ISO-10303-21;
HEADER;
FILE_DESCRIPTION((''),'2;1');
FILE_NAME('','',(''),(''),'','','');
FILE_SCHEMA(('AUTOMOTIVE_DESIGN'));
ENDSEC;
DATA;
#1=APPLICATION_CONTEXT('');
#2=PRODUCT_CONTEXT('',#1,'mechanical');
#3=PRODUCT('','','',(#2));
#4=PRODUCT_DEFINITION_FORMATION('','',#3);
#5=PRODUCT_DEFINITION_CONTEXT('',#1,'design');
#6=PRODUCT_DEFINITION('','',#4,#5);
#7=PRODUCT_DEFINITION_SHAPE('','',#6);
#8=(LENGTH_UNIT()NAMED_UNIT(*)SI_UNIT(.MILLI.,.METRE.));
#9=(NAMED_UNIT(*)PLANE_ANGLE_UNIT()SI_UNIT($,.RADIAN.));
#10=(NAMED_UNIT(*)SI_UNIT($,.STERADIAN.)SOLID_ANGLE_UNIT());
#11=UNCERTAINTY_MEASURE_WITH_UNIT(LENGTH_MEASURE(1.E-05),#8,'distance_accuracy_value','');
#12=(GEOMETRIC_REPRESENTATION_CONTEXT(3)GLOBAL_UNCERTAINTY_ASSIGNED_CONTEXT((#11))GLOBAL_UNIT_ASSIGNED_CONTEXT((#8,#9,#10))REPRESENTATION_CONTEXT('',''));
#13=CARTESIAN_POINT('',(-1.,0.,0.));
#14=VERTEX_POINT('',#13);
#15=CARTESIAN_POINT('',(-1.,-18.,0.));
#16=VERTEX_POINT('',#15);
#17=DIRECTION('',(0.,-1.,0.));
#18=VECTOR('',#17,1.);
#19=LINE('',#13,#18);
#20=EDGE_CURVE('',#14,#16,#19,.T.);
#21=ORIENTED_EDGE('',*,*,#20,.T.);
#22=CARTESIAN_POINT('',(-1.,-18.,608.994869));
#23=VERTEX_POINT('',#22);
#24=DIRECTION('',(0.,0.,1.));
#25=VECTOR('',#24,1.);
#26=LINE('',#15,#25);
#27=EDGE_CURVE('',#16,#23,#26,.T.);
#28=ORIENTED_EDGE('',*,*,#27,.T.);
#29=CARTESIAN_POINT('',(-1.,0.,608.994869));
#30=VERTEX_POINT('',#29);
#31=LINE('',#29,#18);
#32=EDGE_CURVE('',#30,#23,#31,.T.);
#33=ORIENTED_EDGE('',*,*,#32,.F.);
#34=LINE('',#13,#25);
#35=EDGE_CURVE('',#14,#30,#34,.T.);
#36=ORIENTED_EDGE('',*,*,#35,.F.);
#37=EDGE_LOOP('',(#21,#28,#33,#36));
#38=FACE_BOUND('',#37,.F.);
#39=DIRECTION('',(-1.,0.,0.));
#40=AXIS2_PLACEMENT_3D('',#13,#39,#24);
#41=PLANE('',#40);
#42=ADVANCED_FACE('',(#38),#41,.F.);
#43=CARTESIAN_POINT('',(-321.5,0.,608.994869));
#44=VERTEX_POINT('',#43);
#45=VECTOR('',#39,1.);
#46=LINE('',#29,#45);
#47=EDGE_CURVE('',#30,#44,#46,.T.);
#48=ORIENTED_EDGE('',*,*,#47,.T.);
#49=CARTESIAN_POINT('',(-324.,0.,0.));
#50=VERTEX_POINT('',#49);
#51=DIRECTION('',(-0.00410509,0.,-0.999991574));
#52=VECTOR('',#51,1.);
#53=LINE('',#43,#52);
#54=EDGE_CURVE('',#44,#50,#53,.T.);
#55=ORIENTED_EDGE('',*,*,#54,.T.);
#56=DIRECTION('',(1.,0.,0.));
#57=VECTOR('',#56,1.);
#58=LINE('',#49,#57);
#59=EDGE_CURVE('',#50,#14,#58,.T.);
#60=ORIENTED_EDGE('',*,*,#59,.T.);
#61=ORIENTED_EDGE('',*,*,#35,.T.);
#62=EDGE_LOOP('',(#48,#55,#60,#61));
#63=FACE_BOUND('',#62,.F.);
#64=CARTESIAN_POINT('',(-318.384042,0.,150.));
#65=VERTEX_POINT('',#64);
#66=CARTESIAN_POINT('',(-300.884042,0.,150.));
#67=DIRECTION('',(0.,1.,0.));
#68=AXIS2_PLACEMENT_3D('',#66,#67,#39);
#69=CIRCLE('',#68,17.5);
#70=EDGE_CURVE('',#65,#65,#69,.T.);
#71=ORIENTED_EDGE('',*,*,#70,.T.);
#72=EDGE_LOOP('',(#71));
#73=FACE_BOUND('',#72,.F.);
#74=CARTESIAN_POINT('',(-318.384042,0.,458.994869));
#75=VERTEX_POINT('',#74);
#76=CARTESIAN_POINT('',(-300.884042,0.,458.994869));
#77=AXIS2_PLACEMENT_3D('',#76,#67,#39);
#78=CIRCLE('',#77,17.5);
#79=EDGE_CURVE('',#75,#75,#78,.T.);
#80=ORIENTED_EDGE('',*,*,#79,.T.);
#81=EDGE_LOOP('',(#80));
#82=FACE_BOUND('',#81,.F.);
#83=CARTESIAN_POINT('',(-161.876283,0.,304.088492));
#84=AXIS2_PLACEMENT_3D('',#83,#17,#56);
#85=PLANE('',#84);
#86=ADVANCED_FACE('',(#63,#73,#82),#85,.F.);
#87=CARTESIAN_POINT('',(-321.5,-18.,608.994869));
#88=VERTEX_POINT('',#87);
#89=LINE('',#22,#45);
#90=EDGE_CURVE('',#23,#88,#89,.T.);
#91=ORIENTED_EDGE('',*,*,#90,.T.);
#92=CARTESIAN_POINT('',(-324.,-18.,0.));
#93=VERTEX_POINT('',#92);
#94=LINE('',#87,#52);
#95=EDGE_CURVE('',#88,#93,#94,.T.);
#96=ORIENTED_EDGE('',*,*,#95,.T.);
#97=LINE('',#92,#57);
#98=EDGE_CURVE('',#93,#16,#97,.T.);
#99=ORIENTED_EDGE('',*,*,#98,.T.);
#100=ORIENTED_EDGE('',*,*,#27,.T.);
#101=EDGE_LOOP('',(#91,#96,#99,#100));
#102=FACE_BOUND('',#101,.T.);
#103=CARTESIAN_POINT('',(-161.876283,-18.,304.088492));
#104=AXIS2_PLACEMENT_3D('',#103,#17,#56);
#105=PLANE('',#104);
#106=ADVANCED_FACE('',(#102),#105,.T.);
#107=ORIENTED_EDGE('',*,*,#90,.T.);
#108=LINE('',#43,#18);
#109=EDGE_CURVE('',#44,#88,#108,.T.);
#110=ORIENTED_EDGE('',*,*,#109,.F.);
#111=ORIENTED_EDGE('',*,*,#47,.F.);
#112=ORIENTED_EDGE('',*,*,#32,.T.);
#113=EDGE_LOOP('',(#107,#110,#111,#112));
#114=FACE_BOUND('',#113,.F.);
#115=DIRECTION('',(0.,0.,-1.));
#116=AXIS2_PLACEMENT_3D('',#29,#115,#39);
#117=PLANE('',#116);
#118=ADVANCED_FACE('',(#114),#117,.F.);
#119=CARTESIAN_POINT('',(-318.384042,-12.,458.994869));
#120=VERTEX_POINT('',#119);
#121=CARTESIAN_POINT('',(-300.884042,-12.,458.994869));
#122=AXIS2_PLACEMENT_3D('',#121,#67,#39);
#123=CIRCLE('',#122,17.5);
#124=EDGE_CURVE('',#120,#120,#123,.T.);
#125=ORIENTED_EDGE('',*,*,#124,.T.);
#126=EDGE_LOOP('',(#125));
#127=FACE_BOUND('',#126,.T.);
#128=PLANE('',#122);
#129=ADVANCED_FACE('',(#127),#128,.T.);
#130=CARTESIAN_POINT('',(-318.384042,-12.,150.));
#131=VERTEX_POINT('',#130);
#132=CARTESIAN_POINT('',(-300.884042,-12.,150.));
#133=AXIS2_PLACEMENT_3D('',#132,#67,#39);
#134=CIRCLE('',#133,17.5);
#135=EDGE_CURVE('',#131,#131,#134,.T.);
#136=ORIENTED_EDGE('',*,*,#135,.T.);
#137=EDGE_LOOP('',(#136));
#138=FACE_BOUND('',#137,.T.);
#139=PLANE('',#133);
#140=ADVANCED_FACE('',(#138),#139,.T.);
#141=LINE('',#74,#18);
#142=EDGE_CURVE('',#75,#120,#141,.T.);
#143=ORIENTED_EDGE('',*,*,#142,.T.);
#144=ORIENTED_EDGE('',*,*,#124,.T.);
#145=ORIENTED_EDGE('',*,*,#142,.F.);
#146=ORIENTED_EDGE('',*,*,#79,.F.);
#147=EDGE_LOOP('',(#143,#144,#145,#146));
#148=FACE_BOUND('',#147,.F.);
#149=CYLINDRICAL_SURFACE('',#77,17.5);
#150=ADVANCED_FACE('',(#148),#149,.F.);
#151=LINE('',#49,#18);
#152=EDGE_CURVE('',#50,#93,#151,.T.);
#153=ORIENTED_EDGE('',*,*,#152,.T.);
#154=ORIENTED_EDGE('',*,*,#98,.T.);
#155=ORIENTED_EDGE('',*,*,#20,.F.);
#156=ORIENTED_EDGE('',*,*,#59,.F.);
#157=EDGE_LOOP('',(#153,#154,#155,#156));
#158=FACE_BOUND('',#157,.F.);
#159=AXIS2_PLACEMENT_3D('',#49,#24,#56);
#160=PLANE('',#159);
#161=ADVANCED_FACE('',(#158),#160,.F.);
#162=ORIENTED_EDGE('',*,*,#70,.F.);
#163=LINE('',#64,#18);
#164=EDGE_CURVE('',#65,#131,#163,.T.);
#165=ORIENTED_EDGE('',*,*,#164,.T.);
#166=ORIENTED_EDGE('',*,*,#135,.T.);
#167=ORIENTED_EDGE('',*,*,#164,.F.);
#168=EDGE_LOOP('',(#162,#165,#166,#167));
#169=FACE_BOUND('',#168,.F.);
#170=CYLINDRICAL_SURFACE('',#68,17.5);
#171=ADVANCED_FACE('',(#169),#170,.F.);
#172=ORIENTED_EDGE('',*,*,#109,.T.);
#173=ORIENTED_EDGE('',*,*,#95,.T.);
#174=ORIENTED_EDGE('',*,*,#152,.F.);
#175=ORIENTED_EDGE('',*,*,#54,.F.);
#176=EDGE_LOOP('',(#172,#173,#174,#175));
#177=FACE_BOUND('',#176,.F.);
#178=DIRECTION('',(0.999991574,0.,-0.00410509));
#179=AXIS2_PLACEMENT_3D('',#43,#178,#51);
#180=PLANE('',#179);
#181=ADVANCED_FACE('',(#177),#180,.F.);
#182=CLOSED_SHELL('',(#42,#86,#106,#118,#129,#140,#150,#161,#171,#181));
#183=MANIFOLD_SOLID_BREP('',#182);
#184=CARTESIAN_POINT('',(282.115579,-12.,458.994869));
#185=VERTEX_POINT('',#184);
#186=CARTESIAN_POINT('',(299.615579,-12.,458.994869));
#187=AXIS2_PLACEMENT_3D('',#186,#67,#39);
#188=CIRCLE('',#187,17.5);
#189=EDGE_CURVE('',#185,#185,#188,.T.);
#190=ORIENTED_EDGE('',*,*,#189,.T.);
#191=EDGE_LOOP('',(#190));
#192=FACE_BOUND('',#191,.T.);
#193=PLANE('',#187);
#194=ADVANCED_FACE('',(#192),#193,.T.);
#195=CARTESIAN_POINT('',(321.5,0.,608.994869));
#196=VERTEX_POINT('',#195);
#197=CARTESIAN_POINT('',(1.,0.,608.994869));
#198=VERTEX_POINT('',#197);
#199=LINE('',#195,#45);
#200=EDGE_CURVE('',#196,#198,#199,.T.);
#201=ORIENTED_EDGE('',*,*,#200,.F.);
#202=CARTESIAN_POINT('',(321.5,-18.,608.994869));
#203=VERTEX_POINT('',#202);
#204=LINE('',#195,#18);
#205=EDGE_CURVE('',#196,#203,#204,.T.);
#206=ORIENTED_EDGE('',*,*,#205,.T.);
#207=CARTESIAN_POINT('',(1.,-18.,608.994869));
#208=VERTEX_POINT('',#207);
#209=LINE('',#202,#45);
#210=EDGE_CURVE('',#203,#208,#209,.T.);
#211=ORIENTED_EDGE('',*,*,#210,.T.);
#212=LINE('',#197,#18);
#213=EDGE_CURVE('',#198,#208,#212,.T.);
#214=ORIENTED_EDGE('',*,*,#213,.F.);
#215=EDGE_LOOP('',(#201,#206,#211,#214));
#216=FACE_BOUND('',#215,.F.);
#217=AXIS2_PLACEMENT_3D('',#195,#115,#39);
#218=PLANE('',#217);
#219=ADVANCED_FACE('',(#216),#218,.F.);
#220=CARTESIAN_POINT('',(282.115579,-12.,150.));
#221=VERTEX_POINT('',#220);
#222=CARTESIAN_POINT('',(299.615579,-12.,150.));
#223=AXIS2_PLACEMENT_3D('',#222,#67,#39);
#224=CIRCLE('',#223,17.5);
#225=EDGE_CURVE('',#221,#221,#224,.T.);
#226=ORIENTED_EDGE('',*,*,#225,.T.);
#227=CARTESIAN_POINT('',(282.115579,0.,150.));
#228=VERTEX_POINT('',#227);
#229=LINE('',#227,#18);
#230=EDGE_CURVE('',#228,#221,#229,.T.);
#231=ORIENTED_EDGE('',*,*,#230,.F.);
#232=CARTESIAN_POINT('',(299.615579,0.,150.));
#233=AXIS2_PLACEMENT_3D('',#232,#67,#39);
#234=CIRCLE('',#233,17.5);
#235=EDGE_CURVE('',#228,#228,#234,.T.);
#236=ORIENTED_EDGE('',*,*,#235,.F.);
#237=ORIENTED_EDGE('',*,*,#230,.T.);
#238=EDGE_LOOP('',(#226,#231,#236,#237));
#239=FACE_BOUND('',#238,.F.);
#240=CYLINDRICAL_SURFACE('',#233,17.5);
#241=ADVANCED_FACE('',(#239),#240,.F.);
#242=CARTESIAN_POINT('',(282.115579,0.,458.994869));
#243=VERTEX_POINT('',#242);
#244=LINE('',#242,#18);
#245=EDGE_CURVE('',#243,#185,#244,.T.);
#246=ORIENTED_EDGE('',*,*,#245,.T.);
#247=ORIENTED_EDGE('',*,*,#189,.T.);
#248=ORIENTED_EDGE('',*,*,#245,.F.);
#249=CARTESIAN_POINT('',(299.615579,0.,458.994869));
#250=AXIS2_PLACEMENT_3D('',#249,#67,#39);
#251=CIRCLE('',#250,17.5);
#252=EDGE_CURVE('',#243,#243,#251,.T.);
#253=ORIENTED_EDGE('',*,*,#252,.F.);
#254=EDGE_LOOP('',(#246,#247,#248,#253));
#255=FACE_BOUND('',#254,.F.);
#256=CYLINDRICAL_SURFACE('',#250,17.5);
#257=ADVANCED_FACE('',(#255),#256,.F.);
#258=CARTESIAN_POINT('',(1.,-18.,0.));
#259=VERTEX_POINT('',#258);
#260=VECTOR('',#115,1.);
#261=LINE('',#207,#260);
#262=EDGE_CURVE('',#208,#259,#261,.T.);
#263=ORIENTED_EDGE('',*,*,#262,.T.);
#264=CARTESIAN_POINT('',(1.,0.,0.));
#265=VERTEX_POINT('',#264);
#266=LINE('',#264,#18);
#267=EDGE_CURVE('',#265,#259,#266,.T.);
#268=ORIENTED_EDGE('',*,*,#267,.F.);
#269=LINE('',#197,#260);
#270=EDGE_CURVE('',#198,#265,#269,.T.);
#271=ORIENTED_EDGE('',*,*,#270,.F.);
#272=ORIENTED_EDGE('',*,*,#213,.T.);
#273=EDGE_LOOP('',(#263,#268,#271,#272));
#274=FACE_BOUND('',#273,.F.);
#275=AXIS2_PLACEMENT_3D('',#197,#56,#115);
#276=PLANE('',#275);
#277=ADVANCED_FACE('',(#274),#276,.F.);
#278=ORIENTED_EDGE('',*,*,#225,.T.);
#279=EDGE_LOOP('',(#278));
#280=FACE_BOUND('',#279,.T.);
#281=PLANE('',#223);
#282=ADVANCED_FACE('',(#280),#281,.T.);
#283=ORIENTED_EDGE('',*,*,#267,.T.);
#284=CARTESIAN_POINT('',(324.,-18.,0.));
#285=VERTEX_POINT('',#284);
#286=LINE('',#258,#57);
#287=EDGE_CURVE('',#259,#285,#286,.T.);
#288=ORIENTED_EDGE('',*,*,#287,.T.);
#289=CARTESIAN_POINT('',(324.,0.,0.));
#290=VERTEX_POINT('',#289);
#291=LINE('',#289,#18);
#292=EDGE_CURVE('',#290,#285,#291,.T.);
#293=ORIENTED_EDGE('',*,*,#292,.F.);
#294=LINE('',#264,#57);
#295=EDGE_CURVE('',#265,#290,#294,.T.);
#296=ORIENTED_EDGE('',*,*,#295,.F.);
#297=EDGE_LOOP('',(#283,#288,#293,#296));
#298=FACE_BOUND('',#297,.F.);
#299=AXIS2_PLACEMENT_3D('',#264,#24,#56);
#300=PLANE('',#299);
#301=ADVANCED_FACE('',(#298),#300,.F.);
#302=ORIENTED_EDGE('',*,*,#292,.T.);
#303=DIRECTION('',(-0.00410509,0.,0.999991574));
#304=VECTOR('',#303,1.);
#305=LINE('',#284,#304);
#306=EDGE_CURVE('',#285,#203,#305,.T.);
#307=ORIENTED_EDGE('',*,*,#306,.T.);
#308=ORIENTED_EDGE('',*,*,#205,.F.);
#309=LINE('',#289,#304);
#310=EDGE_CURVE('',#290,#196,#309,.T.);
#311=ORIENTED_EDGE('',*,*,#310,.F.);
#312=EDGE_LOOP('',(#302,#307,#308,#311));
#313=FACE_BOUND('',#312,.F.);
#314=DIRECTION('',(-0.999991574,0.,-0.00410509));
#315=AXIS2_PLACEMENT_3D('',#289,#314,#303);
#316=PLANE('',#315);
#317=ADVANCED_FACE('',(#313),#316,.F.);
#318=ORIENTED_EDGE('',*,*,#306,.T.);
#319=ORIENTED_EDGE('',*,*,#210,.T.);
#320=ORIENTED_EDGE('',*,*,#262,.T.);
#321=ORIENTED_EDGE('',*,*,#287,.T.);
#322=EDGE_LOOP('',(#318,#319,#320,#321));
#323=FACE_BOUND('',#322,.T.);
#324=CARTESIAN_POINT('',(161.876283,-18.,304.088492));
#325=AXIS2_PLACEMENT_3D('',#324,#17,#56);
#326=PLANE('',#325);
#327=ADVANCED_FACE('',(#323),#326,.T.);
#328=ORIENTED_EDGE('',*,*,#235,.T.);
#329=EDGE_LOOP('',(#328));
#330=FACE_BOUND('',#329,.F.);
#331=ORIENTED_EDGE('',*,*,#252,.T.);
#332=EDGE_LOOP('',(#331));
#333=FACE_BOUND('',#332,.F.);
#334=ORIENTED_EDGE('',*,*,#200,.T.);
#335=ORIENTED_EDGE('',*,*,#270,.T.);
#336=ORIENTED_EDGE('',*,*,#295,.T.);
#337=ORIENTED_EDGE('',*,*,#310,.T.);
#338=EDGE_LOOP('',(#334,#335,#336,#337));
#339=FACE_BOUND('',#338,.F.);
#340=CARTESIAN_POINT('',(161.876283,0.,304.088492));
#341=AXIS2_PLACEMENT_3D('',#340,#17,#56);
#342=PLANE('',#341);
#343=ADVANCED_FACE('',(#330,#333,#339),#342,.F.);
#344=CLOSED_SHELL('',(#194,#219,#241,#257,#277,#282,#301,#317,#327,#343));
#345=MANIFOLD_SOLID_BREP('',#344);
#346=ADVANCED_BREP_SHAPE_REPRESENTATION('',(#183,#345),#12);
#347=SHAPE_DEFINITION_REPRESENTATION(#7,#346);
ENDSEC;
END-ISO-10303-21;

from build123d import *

# Parameters (mm, degrees)
F1_DEPTH = 18
F2_R     = 17.5
F3_DEPTH = 12


with BuildPart() as f1:
    # F0 (on Front) → F1 (new body)
    with BuildSketch(Plane.XZ):
        Polygon((321.5, 608.994869), (1, 608.994869), (1, 0), (324, 0), align=None)
        Polygon((-324, 0), (-1, 0), (-1, 608.994869), (-321.5, 608.994869), align=None)
    extrude(amount=F1_DEPTH)

    # F2 (on face) → F3 (cut)
    with BuildSketch(Plane(origin=(0, 0, 0), x_dir=(-1, 0, 0), z_dir=(0, 1, 0))):
        with Locations((-299.615579, 458.994869)):
            Circle(F2_R)
        with Locations((-299.615579, 150)):
            Circle(F2_R)
        with Locations((300.884042, 458.994869)):
            Circle(F2_R)
        with Locations((300.884042, 150)):
            Circle(F2_R)
    extrude(amount=-F3_DEPTH, mode=Mode.SUBTRACT)


solid = f1.part
